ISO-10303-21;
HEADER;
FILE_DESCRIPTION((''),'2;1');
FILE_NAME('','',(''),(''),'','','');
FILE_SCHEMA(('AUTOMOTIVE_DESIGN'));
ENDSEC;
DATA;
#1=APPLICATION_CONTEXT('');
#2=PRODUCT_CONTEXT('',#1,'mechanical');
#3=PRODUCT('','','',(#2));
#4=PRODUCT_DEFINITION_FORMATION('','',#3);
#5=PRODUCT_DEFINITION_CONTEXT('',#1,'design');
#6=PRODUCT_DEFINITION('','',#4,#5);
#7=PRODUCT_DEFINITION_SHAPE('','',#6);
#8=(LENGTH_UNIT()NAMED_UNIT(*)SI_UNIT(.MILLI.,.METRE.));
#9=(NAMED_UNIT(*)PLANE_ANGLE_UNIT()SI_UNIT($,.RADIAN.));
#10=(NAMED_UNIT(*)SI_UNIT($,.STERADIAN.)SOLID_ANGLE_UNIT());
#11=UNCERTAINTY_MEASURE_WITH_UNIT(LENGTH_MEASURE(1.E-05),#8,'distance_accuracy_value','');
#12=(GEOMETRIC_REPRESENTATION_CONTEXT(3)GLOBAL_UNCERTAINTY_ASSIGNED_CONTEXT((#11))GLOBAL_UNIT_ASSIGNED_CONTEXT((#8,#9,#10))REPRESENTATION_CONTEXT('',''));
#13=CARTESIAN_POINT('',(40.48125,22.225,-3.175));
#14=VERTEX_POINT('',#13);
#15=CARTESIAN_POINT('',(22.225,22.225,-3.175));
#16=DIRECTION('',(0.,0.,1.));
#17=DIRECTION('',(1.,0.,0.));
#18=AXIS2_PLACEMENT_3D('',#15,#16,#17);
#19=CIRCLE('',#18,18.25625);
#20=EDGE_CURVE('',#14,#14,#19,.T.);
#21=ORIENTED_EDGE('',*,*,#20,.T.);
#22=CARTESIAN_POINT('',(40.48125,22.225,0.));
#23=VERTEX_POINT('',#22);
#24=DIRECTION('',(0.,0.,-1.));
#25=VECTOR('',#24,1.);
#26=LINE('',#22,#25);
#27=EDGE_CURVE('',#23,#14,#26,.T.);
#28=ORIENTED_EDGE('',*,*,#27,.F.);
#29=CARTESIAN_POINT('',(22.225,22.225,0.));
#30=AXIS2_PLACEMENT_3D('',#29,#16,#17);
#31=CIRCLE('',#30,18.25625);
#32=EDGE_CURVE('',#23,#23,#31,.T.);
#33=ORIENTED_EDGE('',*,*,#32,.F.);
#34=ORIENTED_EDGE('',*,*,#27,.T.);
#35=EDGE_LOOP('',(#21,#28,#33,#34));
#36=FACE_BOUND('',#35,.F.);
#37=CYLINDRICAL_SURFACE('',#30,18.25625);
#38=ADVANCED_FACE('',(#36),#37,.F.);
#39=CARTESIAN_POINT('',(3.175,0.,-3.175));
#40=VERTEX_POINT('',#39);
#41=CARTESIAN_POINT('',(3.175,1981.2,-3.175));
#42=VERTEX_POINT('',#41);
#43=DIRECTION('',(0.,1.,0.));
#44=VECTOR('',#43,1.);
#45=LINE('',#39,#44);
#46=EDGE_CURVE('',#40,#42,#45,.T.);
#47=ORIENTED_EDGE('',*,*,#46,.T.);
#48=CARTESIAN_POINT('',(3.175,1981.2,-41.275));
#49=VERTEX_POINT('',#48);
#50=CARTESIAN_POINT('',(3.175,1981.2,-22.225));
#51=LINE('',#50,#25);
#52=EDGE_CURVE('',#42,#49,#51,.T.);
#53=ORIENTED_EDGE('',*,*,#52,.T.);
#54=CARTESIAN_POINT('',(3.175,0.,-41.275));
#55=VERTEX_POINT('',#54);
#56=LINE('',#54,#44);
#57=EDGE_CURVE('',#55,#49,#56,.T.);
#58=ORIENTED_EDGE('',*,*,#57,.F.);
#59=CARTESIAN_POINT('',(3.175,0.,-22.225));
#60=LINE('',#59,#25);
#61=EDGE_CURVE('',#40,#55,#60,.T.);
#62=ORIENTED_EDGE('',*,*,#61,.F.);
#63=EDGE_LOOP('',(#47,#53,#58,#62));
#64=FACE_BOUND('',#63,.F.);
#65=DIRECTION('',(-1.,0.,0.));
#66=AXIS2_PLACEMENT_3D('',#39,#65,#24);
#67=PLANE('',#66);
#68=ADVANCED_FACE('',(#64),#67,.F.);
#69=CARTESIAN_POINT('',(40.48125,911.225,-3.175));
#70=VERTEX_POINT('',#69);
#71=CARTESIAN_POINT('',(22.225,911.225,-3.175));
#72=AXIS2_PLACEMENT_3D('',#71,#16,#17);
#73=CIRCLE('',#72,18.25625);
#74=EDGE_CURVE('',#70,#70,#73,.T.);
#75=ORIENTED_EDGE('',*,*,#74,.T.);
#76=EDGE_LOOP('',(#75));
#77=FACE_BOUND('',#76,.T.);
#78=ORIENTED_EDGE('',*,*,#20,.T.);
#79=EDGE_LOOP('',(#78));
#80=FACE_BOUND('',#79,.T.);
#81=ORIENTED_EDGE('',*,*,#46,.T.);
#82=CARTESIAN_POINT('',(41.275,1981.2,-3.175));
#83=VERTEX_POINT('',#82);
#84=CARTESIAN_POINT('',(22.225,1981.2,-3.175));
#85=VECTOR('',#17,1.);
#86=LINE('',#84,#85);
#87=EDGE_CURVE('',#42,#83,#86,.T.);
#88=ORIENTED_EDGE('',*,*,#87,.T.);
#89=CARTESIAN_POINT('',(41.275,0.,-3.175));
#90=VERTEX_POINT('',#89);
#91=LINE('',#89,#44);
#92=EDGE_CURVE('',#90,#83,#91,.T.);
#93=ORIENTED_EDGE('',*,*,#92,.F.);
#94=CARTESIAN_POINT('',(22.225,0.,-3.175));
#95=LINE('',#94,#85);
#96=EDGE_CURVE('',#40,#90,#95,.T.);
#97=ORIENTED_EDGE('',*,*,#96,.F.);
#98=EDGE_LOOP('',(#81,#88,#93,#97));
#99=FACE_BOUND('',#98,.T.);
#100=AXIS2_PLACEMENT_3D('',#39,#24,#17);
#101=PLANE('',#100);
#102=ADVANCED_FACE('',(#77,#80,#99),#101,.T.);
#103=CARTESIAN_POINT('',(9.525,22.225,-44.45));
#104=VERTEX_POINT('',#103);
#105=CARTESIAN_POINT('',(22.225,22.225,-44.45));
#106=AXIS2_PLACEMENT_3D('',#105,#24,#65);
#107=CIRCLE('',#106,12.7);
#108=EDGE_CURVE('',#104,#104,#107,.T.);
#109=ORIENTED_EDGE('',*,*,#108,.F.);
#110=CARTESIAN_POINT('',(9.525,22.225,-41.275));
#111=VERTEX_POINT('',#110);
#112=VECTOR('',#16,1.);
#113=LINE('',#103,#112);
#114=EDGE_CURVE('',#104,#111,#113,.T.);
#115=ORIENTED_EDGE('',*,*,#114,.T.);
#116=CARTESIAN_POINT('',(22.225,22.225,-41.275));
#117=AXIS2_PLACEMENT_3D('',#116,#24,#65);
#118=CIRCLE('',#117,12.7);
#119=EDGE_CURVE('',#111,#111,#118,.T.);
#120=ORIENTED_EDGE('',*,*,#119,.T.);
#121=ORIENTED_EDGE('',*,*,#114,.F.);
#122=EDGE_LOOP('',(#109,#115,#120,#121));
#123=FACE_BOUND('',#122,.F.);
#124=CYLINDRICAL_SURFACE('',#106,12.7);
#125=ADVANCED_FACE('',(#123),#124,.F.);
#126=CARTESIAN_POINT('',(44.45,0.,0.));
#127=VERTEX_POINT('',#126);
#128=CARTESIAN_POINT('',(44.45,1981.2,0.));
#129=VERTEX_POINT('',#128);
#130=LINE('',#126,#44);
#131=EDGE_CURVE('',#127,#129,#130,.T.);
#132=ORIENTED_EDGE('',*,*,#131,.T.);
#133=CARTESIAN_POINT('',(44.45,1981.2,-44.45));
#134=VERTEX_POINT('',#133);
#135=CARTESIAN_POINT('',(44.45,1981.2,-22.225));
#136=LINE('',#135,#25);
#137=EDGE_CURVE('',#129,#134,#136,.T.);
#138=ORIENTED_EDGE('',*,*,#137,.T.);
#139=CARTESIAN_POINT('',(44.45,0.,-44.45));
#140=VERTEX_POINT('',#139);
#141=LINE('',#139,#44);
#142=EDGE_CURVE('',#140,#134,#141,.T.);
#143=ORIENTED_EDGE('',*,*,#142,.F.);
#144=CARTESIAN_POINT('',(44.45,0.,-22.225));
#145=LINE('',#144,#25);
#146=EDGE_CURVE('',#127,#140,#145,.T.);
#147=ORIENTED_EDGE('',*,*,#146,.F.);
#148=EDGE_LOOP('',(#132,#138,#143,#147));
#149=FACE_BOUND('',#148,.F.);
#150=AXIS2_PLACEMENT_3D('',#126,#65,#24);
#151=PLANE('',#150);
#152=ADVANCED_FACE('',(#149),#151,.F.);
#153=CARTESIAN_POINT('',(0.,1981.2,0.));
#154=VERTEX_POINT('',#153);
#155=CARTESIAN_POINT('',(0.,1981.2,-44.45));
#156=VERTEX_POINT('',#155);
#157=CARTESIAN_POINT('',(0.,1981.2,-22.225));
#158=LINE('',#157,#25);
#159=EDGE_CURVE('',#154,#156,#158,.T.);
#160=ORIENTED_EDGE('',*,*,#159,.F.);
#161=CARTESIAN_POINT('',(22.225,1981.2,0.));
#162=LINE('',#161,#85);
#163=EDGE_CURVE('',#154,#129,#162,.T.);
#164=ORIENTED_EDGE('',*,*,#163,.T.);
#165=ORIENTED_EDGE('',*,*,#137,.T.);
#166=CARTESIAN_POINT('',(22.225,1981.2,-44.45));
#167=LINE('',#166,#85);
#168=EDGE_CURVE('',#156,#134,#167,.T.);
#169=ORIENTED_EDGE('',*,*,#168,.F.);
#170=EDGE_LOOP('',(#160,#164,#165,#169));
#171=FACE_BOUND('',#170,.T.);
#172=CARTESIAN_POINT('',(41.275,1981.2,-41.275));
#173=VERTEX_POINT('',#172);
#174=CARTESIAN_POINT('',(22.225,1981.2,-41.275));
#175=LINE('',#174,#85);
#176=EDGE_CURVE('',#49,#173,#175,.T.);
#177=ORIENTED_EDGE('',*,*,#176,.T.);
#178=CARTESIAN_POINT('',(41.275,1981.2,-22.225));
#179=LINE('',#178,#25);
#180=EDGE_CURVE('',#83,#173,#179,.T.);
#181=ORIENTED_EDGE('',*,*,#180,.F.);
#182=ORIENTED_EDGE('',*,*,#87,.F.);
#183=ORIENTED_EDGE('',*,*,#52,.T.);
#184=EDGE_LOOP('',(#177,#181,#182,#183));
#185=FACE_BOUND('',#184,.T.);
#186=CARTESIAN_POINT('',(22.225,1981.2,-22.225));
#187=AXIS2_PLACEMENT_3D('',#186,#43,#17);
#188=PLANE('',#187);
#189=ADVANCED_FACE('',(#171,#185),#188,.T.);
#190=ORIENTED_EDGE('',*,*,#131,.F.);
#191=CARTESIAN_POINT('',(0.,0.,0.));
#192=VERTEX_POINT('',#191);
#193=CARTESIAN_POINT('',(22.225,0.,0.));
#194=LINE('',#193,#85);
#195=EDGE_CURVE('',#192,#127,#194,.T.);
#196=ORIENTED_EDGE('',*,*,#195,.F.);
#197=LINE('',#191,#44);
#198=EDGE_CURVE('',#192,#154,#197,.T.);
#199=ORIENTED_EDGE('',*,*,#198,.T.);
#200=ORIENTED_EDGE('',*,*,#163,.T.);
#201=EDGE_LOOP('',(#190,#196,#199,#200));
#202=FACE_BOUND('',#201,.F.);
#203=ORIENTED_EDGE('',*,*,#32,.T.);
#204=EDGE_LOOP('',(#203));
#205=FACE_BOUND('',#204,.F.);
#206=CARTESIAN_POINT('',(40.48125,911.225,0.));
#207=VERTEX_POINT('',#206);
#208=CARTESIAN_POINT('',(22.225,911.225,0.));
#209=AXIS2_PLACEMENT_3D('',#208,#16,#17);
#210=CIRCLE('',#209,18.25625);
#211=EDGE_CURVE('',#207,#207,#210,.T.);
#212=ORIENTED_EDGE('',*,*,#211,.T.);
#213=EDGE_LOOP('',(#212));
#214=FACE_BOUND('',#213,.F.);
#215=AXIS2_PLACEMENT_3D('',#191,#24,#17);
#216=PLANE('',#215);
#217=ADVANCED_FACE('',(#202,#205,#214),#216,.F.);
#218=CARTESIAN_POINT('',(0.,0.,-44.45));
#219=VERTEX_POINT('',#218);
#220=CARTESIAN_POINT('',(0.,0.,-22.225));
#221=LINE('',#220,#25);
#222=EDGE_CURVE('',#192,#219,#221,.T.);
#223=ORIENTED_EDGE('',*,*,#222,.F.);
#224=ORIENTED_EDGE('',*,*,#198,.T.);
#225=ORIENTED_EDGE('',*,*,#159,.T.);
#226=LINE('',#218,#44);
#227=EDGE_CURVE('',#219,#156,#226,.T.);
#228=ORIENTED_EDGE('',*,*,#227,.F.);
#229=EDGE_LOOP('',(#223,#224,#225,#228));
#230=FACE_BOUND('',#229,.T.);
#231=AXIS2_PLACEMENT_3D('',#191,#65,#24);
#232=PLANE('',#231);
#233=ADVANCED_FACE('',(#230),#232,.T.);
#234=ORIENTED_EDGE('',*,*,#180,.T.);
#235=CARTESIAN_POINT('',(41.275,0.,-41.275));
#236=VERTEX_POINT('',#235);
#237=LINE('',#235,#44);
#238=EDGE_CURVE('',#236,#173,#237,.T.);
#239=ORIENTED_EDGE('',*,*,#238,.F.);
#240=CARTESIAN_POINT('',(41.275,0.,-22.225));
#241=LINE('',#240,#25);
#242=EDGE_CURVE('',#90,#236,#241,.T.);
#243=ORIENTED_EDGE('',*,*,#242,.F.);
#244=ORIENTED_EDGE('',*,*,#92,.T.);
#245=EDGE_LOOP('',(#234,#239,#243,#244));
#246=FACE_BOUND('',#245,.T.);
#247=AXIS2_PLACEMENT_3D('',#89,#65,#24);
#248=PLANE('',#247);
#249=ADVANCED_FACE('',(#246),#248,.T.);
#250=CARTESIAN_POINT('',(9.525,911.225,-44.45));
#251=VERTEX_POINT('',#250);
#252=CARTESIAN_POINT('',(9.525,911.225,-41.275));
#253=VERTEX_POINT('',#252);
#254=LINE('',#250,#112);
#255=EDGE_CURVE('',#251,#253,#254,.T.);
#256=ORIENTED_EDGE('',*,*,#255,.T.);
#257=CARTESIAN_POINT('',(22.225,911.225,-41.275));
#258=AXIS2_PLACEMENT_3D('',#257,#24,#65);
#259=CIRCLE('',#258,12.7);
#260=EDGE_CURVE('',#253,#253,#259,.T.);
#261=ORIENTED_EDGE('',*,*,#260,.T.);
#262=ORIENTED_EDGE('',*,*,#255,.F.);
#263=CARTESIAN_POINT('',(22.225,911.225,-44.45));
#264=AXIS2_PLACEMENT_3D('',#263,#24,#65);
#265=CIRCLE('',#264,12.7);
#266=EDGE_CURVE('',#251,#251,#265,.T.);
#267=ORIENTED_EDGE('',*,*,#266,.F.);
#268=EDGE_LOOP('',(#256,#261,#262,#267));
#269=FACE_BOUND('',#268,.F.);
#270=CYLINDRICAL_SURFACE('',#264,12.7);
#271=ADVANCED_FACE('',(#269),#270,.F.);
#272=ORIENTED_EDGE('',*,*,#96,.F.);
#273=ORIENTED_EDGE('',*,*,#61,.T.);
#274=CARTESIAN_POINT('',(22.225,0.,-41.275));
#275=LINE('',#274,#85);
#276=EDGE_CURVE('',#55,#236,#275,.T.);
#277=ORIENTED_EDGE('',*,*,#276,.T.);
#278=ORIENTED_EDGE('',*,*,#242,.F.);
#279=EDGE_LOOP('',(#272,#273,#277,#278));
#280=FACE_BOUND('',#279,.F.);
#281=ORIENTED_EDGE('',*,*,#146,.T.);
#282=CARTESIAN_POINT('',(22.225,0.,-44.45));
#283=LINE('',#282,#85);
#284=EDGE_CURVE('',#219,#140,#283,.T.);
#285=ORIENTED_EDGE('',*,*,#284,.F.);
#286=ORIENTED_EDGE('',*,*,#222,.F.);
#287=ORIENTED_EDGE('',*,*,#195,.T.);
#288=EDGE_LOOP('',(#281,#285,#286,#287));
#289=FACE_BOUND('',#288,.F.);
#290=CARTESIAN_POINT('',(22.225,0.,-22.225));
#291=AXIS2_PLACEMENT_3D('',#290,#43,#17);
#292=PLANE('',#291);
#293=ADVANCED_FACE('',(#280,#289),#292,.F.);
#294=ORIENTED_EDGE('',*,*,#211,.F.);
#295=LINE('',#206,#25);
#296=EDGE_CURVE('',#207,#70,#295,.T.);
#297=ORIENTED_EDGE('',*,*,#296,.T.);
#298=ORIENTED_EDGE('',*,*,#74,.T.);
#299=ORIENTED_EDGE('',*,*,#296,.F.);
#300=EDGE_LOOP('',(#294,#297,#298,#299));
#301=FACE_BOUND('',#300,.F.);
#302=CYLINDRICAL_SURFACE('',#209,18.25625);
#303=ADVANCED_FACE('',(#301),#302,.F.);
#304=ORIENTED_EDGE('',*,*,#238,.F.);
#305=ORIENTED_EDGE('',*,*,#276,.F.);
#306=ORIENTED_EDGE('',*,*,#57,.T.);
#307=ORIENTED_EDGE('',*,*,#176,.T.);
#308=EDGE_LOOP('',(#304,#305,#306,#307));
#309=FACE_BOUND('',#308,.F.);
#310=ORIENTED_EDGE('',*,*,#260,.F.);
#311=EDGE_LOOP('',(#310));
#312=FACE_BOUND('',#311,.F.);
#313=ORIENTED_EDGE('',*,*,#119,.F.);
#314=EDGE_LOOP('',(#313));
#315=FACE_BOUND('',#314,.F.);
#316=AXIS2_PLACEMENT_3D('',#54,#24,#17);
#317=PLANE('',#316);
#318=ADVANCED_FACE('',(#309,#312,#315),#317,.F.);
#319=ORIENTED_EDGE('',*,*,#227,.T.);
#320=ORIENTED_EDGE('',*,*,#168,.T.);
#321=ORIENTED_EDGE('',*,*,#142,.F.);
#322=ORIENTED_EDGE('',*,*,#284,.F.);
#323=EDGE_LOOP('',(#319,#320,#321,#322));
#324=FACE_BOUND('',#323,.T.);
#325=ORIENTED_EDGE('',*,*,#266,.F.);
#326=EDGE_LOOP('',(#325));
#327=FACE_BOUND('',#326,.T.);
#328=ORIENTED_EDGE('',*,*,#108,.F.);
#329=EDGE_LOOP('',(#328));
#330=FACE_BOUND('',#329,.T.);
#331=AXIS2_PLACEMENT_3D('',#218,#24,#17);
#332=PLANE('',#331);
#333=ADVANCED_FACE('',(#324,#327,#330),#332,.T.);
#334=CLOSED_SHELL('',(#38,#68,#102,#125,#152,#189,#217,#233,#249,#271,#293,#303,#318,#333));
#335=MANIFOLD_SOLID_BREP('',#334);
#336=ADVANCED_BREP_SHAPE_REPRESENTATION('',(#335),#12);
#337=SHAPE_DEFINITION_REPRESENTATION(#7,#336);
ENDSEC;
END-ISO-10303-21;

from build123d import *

# Parameters (mm, degrees)
SKETCH1_W           = 44.45
SKETCH1_H           = 44.45
SKETCH1_W_2         = 38.1
SKETCH1_H_2         = 38.1
BOSS_EXTRUDE1_DEPTH = 1981.2
CUT_EXTRUDE1_REACH  = 46.45
SKETCH2_R           = 18.25625
CUT_EXTRUDE2_REACH  = 46.45
SKETCH4_R           = 12.7


with BuildPart() as part:
    # Sketch1 → Boss-Extrude1 (new body)
    with BuildSketch(Plane(origin=(0, 0, 0), x_dir=(1, 0, 0), z_dir=(0, 1, 0))):
        with Locations((22.225, 22.225)):
            Rectangle(SKETCH1_W, SKETCH1_H)
        with Locations((22.225, 22.225)):
            Rectangle(SKETCH1_W_2, SKETCH1_H_2, mode=Mode.SUBTRACT)
    extrude(amount=BOSS_EXTRUDE1_DEPTH)

    # Sketch2 → Cut-Extrude1 (cut, up to next)
    with BuildSketch(Plane.XY, mode=Mode.PRIVATE) as cut_extrude1_sk1:
        with Locations((22.225, 22.225)):
            Circle(SKETCH2_R)
    cut_extrude1_tool1 = extrude(cut_extrude1_sk1.sketch, amount=-CUT_EXTRUDE1_REACH, mode=Mode.PRIVATE) & part.part
    add(cut_extrude1_tool1.solids().sort_by_distance((22.225, 22.225, 0))[0], mode=Mode.SUBTRACT)
    # Sketch2 → Cut-Extrude1 (cut, up to next)
    with BuildSketch(Plane.XY, mode=Mode.PRIVATE) as cut_extrude1_sk2:
        with Locations((22.225, 911.225)):
            Circle(SKETCH2_R)
    cut_extrude1_tool2 = extrude(cut_extrude1_sk2.sketch, amount=-CUT_EXTRUDE1_REACH, mode=Mode.PRIVATE) & part.part
    add(cut_extrude1_tool2.solids().sort_by_distance((22.225, 911.225, 0))[0], mode=Mode.SUBTRACT)

    # Sketch4 → Cut-Extrude2 (cut, up to next)
    with BuildSketch(Plane(origin=(0, 0, -44.45), x_dir=(-1, 0, 0), z_dir=(0, 0, -1)), mode=Mode.PRIVATE) as cut_extrude2_sk1:
        with Locations((-22.225, 911.225)):
            Circle(SKETCH4_R)
    cut_extrude2_tool1 = extrude(cut_extrude2_sk1.sketch, amount=-CUT_EXTRUDE2_REACH, mode=Mode.PRIVATE) & part.part
    add(cut_extrude2_tool1.solids().sort_by_distance((22.225, 911.225, -44.45))[0], mode=Mode.SUBTRACT)
    # Sketch4 → Cut-Extrude2 (cut, up to next)
    with BuildSketch(Plane(origin=(0, 0, -44.45), x_dir=(-1, 0, 0), z_dir=(0, 0, -1)), mode=Mode.PRIVATE) as cut_extrude2_sk2:
        with Locations((-22.225, 22.225)):
            Circle(SKETCH4_R)
    cut_extrude2_tool2 = extrude(cut_extrude2_sk2.sketch, amount=-CUT_EXTRUDE2_REACH, mode=Mode.PRIVATE) & part.part
    add(cut_extrude2_tool2.solids().sort_by_distance((22.225, 22.225, -44.45))[0], mode=Mode.SUBTRACT)


solid = part.part
